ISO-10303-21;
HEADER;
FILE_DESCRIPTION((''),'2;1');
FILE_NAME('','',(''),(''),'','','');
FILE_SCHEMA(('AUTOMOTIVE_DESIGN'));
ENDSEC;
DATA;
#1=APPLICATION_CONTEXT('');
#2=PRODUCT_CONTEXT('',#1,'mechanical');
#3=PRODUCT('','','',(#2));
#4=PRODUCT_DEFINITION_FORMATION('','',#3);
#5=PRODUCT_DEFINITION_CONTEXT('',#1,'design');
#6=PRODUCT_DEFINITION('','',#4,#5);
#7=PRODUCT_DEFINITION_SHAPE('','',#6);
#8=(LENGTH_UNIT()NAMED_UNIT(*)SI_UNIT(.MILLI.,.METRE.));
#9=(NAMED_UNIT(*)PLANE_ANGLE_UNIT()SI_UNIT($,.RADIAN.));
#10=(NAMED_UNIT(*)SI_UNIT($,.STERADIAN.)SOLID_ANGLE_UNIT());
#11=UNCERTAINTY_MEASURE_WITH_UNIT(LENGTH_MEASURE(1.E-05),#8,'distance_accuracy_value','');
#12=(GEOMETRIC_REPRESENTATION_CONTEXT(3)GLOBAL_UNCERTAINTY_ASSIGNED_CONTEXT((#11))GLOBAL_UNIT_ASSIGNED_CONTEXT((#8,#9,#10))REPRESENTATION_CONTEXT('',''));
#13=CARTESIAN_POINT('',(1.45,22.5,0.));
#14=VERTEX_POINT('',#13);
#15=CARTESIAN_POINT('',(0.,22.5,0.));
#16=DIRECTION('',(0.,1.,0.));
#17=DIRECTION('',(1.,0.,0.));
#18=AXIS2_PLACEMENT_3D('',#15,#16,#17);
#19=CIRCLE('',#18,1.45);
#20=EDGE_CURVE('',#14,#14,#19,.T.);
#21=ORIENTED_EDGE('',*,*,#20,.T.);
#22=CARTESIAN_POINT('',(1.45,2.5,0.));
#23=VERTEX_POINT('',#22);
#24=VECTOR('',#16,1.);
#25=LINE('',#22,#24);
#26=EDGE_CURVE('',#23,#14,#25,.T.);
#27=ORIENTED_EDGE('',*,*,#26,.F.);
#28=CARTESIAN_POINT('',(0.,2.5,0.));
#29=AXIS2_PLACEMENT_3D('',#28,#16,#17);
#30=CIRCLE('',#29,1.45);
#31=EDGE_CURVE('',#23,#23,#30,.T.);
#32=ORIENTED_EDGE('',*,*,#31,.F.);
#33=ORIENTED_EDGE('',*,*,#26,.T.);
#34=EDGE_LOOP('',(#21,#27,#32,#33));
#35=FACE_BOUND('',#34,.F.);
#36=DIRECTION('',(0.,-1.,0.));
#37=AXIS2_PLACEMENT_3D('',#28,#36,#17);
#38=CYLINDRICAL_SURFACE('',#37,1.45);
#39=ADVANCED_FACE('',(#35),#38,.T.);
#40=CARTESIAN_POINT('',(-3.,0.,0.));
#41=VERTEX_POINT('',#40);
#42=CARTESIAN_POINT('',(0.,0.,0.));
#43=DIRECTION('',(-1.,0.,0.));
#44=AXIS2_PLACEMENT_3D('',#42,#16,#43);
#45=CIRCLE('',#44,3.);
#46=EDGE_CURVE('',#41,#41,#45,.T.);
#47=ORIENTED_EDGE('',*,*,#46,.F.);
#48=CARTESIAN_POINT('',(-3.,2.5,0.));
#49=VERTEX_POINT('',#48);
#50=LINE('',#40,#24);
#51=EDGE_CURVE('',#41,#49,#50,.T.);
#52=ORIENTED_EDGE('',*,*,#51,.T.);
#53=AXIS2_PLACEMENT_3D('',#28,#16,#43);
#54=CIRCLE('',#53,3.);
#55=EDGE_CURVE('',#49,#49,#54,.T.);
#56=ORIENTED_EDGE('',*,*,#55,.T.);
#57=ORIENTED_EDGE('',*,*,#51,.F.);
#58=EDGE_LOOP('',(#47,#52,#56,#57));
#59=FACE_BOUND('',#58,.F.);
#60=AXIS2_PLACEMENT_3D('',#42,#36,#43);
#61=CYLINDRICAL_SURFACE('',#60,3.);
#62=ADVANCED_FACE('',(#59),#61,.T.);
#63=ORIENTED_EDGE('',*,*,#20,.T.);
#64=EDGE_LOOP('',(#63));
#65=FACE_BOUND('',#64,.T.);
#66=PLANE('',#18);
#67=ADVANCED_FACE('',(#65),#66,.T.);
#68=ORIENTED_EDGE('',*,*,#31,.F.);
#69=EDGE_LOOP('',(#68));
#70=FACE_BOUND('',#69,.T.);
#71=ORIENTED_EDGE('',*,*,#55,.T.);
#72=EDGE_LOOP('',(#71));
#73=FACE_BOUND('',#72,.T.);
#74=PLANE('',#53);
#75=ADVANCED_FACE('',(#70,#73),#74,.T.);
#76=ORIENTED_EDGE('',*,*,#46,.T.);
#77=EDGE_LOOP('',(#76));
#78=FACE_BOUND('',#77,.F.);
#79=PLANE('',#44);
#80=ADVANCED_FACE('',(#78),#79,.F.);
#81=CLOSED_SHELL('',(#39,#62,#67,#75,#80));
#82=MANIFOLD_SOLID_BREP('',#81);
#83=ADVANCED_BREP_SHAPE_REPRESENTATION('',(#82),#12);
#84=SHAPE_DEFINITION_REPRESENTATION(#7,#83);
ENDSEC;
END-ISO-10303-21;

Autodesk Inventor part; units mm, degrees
ref_plane "YZ Plane" through (0, 0, 0) normal (1, 0, 0) x (0, 1, 0)
ref_plane "XZ Plane" through (0, 0, 0) normal (0, 1, 0) x (-1, 0, 0)
ref_plane "XY Plane" through (0, 0, 0) normal (0, 0, 1) x (1, 0, 0)
sketch "Sketch1" plane through (0, 0, 0) normal (0, 1, 0) x (-1, 0, 0)
  circle A0 centre (0, 0) radius 3
  dimension "d0" = 6
extrude "Extrusion1" add sketch "Sketch1" along normal blind 2.5
sketch "Sketch2" plane through (0, 2.5, 0) normal (0, 1, 0) x (1, 0, 0)
  circle A0 centre (0, 0) radius 1.45
  dimension "d3" = 2.9
extrude "Extrusion2" add sketch "Sketch2" along normal blind 20
properties part number "M3_feather_hinge_screw"
